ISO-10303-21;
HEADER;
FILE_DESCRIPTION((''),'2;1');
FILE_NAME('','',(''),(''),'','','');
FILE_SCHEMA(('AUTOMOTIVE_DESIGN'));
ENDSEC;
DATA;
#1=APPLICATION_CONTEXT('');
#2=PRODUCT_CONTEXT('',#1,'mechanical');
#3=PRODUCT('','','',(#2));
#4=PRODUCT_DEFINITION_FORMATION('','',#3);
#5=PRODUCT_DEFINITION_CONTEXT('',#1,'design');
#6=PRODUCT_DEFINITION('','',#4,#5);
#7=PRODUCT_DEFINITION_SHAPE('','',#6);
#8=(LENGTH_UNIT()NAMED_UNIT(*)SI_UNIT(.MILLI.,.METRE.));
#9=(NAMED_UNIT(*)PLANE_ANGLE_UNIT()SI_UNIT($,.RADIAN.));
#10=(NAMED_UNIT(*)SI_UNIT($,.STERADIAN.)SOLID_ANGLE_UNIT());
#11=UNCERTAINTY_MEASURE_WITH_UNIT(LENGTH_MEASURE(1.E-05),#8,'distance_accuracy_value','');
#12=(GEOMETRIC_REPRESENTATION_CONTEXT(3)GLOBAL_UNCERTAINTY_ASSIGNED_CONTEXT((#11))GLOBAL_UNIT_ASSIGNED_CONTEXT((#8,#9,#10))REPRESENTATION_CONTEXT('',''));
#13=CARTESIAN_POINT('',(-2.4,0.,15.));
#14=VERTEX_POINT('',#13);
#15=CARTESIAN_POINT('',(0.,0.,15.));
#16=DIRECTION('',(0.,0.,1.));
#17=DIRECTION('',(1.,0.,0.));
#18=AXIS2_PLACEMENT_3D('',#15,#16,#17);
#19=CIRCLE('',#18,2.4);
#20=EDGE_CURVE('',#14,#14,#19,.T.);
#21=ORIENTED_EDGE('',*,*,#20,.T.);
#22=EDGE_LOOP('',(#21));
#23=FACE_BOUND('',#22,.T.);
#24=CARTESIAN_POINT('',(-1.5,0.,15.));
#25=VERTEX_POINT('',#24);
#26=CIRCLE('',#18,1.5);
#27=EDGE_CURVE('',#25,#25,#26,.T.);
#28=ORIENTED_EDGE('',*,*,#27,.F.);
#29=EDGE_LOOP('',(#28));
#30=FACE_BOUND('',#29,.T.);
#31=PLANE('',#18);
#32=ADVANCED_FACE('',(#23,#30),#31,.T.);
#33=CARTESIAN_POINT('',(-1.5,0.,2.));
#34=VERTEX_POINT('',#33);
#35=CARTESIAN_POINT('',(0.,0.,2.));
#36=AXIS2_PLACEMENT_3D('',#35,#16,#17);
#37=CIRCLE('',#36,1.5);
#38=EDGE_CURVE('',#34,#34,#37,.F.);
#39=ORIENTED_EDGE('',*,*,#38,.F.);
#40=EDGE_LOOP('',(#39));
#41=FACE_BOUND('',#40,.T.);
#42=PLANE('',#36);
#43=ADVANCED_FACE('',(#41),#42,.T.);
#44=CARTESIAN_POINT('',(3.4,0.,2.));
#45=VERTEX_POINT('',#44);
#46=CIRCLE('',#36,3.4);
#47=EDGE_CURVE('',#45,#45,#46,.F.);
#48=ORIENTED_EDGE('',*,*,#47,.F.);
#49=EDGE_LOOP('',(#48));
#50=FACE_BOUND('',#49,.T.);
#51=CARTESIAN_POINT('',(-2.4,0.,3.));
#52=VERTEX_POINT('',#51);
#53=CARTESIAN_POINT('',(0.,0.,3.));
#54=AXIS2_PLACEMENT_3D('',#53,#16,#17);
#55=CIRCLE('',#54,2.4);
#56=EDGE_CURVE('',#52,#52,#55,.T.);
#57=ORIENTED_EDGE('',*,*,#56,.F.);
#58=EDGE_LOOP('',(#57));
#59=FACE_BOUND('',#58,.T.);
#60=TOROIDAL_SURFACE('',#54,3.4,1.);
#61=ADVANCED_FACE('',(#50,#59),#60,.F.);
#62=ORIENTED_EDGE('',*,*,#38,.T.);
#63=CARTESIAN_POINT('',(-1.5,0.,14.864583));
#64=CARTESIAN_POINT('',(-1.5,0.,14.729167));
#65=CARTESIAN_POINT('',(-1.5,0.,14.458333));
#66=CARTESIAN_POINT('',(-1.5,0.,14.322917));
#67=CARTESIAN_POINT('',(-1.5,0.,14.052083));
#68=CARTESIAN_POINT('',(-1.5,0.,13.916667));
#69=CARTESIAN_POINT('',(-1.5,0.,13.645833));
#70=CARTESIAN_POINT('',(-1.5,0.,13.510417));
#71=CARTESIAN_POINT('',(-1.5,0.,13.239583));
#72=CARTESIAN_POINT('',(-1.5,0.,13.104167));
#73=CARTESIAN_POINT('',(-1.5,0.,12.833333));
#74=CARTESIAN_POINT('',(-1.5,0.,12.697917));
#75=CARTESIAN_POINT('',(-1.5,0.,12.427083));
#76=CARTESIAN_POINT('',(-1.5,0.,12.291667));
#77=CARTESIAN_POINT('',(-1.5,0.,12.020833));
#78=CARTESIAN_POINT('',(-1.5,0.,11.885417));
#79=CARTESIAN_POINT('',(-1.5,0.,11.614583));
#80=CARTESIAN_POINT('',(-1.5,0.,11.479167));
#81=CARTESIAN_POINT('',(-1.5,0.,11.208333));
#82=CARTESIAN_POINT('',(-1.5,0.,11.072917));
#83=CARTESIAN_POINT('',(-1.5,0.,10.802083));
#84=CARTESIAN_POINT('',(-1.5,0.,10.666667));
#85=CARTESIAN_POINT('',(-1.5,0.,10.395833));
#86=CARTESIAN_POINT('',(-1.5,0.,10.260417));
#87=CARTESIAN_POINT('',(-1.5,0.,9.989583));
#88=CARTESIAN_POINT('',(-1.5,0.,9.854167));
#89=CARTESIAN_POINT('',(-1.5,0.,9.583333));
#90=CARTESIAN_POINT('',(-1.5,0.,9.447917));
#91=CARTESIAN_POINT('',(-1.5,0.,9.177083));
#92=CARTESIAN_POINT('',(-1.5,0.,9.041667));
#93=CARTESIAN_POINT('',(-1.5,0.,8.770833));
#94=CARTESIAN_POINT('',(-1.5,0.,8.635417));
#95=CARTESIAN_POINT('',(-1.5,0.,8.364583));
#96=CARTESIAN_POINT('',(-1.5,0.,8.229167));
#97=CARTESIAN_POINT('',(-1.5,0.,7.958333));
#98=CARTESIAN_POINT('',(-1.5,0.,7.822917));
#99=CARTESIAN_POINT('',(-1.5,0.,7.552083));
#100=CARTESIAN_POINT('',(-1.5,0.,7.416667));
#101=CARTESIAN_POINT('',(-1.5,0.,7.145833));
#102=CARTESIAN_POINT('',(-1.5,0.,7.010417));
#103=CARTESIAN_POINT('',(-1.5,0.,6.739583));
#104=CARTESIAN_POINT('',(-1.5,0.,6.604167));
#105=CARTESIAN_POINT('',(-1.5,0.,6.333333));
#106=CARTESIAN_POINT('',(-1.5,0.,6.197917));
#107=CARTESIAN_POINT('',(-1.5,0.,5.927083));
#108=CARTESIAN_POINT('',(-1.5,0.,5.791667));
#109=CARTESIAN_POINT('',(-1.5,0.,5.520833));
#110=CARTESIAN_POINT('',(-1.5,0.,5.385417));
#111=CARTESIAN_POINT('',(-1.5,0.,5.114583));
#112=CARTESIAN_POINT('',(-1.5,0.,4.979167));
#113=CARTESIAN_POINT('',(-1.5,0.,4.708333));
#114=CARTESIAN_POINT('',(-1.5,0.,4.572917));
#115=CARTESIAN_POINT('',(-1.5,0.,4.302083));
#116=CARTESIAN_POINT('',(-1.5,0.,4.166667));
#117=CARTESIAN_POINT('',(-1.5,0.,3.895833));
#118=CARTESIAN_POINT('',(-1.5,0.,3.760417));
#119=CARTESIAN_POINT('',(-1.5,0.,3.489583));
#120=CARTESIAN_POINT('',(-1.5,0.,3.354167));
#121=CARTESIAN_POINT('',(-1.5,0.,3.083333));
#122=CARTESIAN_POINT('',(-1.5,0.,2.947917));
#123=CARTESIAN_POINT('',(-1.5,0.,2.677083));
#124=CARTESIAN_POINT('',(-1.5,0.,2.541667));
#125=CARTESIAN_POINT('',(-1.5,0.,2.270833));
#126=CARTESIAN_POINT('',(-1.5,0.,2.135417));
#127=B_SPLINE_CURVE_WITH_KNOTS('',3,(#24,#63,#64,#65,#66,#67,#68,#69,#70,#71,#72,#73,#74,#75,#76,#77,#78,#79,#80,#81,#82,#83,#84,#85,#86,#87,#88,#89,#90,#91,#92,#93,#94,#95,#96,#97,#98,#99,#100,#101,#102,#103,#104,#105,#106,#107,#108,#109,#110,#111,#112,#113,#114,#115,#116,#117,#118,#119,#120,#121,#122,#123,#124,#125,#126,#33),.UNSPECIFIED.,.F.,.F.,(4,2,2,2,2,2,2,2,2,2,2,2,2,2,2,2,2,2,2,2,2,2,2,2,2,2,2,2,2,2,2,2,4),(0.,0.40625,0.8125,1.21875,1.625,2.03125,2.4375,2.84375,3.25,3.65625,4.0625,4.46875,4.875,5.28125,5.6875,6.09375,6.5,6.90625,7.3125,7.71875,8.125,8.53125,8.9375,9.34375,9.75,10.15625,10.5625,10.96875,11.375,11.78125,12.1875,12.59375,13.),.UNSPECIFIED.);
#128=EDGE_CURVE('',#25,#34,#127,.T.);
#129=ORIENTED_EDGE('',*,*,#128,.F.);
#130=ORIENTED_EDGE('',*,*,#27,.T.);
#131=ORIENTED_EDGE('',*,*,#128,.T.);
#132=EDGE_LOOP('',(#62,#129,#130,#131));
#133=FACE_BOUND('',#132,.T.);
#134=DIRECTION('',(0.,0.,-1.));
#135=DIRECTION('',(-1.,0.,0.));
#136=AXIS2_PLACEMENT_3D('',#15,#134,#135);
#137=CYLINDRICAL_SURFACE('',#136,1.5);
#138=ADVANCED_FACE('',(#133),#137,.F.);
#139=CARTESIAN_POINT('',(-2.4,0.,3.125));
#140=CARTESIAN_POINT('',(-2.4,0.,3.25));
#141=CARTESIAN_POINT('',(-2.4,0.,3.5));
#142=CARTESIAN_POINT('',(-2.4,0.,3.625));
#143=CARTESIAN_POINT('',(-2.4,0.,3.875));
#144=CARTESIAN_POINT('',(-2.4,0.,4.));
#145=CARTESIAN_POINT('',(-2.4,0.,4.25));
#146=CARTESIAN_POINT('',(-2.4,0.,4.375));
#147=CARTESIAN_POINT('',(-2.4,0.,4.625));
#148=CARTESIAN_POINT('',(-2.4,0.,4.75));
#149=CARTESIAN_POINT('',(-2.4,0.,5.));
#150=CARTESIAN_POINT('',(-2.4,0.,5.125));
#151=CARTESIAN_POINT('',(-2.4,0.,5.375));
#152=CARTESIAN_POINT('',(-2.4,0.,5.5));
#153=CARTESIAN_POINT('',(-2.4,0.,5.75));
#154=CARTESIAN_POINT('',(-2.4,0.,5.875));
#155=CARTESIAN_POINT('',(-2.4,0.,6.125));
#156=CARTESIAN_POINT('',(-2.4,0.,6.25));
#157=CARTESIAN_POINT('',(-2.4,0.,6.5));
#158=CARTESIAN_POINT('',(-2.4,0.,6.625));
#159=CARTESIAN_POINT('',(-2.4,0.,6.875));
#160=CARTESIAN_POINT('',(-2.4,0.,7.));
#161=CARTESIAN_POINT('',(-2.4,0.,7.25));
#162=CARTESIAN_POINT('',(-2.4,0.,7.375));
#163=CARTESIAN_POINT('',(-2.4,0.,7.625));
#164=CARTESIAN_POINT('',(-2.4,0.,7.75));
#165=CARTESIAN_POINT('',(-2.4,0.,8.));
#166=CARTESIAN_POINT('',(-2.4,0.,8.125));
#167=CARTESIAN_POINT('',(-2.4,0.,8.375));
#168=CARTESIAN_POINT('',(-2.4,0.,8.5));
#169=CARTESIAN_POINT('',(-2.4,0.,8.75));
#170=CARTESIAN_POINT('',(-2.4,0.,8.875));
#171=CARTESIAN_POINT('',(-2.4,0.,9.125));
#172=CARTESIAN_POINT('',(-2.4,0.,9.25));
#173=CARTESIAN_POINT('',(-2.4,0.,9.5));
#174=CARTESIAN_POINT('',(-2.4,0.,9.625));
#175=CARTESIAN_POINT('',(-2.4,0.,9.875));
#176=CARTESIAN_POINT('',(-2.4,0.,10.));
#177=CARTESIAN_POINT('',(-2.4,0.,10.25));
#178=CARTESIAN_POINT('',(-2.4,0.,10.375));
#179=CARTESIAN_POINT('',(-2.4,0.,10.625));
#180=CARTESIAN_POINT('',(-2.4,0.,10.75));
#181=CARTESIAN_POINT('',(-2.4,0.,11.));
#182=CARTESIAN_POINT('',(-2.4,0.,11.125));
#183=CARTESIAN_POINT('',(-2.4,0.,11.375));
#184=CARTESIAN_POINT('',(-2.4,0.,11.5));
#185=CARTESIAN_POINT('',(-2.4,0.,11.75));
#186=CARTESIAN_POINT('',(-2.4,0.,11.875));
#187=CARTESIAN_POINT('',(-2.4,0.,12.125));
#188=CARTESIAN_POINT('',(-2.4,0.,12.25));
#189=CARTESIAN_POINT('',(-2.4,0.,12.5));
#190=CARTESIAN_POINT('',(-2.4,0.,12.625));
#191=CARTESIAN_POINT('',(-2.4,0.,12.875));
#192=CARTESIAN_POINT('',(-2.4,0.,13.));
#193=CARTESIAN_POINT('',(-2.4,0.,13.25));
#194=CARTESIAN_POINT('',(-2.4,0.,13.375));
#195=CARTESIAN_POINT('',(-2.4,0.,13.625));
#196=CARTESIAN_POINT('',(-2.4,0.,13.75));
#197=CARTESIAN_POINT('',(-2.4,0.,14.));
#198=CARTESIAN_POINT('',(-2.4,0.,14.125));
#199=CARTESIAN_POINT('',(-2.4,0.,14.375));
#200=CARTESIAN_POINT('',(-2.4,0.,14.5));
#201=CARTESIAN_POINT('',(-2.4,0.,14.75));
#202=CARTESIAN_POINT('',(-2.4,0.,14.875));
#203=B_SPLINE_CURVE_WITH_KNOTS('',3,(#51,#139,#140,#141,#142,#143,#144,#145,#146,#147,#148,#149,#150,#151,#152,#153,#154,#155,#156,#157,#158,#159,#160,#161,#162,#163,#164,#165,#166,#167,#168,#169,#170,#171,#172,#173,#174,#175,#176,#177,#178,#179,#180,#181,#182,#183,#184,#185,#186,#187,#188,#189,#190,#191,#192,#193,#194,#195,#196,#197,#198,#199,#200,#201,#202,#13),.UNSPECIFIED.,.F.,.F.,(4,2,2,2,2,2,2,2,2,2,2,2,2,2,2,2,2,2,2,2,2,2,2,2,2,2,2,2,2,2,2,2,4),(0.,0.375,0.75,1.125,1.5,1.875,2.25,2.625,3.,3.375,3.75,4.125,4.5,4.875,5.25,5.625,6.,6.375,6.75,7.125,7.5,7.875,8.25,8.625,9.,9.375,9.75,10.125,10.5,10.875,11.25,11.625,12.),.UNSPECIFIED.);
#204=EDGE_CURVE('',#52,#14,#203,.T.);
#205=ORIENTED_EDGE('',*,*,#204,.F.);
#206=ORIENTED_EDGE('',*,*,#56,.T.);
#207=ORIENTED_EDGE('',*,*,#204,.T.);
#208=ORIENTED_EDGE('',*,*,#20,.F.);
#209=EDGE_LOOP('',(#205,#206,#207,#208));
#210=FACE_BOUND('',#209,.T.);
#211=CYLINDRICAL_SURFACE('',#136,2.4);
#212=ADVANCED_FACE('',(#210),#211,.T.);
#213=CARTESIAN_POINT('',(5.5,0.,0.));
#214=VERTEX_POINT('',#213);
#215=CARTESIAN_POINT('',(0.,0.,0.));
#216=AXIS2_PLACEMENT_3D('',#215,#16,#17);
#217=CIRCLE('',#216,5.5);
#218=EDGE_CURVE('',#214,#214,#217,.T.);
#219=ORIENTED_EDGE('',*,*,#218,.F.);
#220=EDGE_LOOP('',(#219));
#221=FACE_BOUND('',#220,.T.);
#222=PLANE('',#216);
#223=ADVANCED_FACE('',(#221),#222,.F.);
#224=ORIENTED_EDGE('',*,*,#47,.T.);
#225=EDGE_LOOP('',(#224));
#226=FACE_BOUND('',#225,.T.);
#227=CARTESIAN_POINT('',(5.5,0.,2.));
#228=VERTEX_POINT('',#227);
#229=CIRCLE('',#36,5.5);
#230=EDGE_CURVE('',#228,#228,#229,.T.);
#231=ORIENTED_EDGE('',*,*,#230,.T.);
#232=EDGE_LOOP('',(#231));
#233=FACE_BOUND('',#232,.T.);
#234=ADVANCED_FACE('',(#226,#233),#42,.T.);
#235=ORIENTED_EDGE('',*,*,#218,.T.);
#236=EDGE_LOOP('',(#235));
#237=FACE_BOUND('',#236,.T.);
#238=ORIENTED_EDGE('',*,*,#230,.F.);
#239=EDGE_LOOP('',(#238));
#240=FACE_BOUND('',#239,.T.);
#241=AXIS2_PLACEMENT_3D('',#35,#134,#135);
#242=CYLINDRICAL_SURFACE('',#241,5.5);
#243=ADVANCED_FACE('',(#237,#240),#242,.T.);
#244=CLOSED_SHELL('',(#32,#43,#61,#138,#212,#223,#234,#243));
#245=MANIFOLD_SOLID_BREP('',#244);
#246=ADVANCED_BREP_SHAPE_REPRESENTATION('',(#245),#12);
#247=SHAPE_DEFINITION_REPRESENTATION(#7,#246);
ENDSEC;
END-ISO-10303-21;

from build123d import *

# Parameters (mm, degrees)
ESQUISSE1_R        = 5.5
BOSS_EXTRU_1_DEPTH = 2
ESQUISSE2_R        = 2.4
ESQUISSE2_R_2      = 1.5
BOSS_EXTRU_2_DEPTH = 13
CONG_1_R           = 1


with BuildPart() as part:
    # Esquisse1 → Boss.-Extru.1 (new body)
    with BuildSketch(Plane.XY):
        Circle(ESQUISSE1_R)
    extrude(amount=BOSS_EXTRU_1_DEPTH)

    # Esquisse2 → Boss.-Extru.2 (add)
    with BuildSketch(Plane.XY.offset(2)):
        with Locations(Location((0, 0, 0), (0, 0, 180))):
            Circle(ESQUISSE2_R)
        with Locations(Location((0, 0, 0), (0, 0, 180))):
            Circle(ESQUISSE2_R_2, mode=Mode.SUBTRACT)
    extrude(amount=BOSS_EXTRU_2_DEPTH)

    # Congé1
    cong_1_edges = [part.edges().sort_by_distance(p)[0] for p in [
        (2.4, 0, 2),
    ]]
    fillet(cong_1_edges, radius=CONG_1_R)


solid = part.part
